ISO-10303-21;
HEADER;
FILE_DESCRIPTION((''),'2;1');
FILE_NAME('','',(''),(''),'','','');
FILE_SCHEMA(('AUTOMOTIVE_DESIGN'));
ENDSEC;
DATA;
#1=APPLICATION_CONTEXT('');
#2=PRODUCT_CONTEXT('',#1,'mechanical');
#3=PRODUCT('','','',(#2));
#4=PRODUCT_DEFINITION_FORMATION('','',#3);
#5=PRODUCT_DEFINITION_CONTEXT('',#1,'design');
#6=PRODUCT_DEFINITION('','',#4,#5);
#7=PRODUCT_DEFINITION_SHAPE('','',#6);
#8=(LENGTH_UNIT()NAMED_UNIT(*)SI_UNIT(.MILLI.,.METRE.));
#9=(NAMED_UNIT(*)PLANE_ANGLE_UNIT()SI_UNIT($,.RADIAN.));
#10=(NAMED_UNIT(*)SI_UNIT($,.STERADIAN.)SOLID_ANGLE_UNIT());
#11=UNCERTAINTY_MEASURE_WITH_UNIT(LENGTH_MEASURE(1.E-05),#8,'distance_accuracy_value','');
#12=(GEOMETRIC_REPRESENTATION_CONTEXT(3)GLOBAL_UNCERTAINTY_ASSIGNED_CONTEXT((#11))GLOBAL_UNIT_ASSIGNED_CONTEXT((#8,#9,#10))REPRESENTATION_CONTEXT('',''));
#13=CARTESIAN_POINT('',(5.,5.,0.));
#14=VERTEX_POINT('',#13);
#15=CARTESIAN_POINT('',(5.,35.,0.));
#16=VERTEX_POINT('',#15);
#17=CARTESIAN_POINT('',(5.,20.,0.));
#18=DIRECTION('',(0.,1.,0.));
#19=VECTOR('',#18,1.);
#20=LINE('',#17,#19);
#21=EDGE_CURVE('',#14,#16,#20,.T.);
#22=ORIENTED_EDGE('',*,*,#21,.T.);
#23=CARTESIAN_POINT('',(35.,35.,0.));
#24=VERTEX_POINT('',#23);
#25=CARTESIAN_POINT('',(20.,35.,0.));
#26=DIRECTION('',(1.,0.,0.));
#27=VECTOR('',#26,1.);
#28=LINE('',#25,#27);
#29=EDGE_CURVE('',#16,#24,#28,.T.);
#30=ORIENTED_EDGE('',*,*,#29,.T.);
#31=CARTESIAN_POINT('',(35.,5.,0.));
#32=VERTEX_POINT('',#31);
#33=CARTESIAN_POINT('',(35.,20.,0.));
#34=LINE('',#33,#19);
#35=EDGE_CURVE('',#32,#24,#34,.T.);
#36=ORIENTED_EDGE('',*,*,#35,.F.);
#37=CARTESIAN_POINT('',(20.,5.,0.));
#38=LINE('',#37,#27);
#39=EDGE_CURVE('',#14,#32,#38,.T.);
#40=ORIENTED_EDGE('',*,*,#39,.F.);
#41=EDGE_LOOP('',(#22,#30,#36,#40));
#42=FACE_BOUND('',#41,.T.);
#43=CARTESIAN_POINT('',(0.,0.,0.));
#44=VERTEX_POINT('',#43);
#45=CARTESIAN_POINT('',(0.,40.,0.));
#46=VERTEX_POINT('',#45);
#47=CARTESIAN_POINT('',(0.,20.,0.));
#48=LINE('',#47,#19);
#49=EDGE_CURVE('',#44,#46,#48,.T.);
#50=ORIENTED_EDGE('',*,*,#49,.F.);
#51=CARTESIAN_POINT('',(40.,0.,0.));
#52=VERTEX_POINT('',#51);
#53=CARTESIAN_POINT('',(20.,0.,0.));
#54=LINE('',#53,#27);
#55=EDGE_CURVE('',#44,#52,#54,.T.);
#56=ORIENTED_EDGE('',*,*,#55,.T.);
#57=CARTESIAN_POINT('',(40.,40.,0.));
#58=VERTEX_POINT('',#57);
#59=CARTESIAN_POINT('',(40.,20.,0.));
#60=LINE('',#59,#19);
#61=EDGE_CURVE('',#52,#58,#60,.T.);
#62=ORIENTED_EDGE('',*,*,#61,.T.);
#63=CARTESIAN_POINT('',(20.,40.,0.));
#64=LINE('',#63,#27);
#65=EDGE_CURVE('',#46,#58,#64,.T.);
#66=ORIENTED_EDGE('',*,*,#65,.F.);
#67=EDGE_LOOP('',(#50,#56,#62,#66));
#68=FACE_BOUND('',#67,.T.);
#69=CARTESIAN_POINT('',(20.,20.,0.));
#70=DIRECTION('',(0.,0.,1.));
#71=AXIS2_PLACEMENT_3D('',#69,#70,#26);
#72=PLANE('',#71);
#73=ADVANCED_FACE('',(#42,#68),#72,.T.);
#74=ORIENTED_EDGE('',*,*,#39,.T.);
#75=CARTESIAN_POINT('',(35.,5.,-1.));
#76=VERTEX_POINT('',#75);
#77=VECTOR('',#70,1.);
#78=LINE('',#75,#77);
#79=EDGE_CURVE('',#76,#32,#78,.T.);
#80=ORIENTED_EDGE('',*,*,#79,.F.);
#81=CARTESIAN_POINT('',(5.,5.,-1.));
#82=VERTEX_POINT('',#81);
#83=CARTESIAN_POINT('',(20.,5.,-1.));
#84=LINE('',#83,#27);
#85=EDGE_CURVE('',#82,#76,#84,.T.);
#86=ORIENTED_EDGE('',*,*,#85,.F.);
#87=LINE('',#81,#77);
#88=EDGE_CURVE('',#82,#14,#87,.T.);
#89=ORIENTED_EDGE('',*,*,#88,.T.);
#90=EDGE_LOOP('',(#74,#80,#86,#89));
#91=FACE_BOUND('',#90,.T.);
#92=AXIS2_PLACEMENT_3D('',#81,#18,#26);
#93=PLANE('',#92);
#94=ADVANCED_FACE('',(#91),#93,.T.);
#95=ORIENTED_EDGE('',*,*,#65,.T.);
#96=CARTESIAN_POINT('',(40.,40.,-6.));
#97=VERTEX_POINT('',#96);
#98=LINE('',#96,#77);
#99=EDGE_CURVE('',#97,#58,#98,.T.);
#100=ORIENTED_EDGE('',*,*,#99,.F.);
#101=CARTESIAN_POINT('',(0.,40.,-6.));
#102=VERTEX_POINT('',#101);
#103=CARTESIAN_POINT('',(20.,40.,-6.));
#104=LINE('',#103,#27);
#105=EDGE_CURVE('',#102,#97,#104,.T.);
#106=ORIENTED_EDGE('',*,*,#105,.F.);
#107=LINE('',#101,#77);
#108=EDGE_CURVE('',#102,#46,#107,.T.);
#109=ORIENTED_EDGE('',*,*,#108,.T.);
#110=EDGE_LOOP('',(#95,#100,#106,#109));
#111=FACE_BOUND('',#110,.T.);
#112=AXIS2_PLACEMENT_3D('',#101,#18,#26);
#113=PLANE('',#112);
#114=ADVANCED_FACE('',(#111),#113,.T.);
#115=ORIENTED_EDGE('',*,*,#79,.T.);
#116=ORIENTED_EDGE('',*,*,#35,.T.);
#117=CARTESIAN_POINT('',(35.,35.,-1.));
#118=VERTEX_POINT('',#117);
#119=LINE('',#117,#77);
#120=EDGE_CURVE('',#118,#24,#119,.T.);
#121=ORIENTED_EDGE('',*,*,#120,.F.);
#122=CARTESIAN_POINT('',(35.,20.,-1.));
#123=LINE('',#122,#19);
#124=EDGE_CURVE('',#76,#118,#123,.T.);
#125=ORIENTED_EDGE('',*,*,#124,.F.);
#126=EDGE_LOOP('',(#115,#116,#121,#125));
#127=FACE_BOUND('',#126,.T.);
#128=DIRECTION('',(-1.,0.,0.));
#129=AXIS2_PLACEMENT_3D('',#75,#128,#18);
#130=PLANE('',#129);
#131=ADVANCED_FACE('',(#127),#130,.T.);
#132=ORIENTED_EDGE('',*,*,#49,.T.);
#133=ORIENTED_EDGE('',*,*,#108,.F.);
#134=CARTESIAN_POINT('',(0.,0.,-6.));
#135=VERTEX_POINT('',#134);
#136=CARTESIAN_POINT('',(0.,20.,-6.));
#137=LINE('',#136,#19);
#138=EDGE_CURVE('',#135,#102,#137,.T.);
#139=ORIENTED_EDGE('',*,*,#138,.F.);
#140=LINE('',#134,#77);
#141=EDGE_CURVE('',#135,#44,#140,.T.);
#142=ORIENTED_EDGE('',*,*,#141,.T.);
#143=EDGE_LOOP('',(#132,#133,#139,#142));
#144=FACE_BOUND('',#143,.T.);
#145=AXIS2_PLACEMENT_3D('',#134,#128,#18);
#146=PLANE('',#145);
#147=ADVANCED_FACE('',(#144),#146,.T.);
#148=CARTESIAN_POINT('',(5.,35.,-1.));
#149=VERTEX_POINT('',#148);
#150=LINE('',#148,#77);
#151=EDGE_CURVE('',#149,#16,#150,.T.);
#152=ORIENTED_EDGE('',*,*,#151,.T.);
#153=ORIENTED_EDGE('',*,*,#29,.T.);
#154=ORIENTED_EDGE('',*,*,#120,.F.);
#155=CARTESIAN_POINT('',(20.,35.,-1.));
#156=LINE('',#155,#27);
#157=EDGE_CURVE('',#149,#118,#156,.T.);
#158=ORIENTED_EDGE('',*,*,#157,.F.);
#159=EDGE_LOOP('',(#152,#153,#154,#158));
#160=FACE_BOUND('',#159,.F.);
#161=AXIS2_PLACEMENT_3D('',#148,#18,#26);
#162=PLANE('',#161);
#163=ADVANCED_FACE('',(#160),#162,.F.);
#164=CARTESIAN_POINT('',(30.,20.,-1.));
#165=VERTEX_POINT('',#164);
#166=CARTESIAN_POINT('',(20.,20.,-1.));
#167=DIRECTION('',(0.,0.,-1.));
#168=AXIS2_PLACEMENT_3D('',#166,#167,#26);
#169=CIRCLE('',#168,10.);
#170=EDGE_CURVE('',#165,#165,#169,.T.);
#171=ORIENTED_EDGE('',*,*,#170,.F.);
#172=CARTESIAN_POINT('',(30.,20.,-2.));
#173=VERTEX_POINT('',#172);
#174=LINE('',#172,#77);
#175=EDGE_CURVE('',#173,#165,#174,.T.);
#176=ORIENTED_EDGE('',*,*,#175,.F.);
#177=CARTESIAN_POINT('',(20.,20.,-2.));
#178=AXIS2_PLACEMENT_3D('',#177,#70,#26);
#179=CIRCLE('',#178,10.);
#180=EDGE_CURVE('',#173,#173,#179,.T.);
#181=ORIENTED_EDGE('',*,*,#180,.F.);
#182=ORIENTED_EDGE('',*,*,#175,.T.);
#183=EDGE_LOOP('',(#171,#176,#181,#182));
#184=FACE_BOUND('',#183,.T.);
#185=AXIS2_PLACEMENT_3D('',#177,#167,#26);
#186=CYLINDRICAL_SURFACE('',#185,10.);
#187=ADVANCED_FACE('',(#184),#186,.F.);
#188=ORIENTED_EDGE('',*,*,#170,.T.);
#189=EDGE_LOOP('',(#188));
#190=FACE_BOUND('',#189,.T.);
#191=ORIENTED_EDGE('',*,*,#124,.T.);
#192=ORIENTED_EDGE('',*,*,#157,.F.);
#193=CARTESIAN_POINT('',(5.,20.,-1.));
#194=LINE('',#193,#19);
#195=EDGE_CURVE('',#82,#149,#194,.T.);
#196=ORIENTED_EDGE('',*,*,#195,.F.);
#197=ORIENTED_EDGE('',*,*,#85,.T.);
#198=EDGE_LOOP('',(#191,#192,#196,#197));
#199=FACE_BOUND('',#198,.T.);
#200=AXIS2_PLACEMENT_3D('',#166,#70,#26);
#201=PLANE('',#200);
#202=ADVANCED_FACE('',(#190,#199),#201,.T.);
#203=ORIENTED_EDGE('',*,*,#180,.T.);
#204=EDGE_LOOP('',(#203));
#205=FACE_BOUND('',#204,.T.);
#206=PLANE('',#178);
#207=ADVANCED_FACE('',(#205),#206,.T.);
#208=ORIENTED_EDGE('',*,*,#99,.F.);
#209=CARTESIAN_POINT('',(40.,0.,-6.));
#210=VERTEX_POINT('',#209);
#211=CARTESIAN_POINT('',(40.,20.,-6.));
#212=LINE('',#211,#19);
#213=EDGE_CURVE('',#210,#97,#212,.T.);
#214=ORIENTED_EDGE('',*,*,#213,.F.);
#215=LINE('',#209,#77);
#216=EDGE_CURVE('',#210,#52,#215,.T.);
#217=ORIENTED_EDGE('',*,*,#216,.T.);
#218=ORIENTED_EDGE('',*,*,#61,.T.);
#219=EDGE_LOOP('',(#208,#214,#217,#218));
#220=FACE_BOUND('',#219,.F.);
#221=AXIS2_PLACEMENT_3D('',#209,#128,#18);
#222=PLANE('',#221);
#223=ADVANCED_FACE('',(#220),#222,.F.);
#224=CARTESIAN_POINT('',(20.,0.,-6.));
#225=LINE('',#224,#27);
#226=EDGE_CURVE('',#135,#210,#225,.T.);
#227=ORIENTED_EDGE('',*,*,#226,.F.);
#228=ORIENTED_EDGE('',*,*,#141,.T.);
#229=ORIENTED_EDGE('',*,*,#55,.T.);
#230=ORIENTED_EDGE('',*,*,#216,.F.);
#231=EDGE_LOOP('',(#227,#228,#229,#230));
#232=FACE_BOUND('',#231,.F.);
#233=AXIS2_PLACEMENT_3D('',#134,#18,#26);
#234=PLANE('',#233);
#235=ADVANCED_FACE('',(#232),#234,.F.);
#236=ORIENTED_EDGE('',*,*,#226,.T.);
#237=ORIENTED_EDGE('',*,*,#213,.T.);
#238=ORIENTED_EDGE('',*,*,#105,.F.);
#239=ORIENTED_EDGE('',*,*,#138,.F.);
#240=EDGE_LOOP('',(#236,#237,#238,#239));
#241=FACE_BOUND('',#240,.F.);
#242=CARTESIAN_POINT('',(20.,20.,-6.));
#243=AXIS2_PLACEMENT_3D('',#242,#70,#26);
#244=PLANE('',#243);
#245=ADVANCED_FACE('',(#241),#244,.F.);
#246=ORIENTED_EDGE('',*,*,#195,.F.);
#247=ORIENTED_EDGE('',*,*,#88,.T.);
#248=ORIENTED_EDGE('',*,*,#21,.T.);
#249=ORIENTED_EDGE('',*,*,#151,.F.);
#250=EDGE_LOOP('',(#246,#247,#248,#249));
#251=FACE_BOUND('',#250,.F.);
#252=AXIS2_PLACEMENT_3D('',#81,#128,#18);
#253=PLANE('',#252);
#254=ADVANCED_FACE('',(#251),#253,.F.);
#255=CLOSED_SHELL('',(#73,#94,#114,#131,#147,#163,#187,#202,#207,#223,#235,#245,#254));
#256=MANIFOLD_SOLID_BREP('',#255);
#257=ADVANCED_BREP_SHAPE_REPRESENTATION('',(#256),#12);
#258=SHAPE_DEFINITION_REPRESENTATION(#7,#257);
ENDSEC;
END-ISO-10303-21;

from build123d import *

# Parameters (mm, degrees)
CUBE001_W      = 30
CUBE001_H      = 30
CUBE001_DEPTH  = 1
CYLINDER_R     = 10
CYLINDER_DEPTH = 2
CUBE_W         = 40
CUBE_H         = 40
CUBE_DEPTH     = 6


with BuildPart() as cube001:
    # cube001 → cube001 (new body)
    with BuildSketch(Plane(origin=(-15, -15, 2), x_dir=(1, 0, 0), z_dir=(0, 0, 1))):
        with Locations((15, 15)):
            Rectangle(CUBE001_W, CUBE001_H)
    extrude(amount=CUBE001_DEPTH)


with BuildPart() as union:
    # cylinder → cylinder (new body)
    with BuildSketch(Plane.XY.offset(1)):
        Circle(CYLINDER_R)
    extrude(amount=CYLINDER_DEPTH)

    # union: union cube001
    add(cube001.part)


with BuildPart() as model_difference:
    # cube → cube (new body)
    with BuildSketch(Plane(origin=(-20, -20, -3), x_dir=(1, 0, 0), z_dir=(0, 0, 1))):
        with Locations((20, 20)):
            Rectangle(CUBE_W, CUBE_H)
    extrude(amount=CUBE_DEPTH)

    # difference: cut union
    add(union.part, mode=Mode.SUBTRACT)


with BuildPart() as model_difference_1:
    # Clone placement: moved
    add(model_difference.part.moved(Location((20, 20, -3))))


solid = model_difference_1.part
